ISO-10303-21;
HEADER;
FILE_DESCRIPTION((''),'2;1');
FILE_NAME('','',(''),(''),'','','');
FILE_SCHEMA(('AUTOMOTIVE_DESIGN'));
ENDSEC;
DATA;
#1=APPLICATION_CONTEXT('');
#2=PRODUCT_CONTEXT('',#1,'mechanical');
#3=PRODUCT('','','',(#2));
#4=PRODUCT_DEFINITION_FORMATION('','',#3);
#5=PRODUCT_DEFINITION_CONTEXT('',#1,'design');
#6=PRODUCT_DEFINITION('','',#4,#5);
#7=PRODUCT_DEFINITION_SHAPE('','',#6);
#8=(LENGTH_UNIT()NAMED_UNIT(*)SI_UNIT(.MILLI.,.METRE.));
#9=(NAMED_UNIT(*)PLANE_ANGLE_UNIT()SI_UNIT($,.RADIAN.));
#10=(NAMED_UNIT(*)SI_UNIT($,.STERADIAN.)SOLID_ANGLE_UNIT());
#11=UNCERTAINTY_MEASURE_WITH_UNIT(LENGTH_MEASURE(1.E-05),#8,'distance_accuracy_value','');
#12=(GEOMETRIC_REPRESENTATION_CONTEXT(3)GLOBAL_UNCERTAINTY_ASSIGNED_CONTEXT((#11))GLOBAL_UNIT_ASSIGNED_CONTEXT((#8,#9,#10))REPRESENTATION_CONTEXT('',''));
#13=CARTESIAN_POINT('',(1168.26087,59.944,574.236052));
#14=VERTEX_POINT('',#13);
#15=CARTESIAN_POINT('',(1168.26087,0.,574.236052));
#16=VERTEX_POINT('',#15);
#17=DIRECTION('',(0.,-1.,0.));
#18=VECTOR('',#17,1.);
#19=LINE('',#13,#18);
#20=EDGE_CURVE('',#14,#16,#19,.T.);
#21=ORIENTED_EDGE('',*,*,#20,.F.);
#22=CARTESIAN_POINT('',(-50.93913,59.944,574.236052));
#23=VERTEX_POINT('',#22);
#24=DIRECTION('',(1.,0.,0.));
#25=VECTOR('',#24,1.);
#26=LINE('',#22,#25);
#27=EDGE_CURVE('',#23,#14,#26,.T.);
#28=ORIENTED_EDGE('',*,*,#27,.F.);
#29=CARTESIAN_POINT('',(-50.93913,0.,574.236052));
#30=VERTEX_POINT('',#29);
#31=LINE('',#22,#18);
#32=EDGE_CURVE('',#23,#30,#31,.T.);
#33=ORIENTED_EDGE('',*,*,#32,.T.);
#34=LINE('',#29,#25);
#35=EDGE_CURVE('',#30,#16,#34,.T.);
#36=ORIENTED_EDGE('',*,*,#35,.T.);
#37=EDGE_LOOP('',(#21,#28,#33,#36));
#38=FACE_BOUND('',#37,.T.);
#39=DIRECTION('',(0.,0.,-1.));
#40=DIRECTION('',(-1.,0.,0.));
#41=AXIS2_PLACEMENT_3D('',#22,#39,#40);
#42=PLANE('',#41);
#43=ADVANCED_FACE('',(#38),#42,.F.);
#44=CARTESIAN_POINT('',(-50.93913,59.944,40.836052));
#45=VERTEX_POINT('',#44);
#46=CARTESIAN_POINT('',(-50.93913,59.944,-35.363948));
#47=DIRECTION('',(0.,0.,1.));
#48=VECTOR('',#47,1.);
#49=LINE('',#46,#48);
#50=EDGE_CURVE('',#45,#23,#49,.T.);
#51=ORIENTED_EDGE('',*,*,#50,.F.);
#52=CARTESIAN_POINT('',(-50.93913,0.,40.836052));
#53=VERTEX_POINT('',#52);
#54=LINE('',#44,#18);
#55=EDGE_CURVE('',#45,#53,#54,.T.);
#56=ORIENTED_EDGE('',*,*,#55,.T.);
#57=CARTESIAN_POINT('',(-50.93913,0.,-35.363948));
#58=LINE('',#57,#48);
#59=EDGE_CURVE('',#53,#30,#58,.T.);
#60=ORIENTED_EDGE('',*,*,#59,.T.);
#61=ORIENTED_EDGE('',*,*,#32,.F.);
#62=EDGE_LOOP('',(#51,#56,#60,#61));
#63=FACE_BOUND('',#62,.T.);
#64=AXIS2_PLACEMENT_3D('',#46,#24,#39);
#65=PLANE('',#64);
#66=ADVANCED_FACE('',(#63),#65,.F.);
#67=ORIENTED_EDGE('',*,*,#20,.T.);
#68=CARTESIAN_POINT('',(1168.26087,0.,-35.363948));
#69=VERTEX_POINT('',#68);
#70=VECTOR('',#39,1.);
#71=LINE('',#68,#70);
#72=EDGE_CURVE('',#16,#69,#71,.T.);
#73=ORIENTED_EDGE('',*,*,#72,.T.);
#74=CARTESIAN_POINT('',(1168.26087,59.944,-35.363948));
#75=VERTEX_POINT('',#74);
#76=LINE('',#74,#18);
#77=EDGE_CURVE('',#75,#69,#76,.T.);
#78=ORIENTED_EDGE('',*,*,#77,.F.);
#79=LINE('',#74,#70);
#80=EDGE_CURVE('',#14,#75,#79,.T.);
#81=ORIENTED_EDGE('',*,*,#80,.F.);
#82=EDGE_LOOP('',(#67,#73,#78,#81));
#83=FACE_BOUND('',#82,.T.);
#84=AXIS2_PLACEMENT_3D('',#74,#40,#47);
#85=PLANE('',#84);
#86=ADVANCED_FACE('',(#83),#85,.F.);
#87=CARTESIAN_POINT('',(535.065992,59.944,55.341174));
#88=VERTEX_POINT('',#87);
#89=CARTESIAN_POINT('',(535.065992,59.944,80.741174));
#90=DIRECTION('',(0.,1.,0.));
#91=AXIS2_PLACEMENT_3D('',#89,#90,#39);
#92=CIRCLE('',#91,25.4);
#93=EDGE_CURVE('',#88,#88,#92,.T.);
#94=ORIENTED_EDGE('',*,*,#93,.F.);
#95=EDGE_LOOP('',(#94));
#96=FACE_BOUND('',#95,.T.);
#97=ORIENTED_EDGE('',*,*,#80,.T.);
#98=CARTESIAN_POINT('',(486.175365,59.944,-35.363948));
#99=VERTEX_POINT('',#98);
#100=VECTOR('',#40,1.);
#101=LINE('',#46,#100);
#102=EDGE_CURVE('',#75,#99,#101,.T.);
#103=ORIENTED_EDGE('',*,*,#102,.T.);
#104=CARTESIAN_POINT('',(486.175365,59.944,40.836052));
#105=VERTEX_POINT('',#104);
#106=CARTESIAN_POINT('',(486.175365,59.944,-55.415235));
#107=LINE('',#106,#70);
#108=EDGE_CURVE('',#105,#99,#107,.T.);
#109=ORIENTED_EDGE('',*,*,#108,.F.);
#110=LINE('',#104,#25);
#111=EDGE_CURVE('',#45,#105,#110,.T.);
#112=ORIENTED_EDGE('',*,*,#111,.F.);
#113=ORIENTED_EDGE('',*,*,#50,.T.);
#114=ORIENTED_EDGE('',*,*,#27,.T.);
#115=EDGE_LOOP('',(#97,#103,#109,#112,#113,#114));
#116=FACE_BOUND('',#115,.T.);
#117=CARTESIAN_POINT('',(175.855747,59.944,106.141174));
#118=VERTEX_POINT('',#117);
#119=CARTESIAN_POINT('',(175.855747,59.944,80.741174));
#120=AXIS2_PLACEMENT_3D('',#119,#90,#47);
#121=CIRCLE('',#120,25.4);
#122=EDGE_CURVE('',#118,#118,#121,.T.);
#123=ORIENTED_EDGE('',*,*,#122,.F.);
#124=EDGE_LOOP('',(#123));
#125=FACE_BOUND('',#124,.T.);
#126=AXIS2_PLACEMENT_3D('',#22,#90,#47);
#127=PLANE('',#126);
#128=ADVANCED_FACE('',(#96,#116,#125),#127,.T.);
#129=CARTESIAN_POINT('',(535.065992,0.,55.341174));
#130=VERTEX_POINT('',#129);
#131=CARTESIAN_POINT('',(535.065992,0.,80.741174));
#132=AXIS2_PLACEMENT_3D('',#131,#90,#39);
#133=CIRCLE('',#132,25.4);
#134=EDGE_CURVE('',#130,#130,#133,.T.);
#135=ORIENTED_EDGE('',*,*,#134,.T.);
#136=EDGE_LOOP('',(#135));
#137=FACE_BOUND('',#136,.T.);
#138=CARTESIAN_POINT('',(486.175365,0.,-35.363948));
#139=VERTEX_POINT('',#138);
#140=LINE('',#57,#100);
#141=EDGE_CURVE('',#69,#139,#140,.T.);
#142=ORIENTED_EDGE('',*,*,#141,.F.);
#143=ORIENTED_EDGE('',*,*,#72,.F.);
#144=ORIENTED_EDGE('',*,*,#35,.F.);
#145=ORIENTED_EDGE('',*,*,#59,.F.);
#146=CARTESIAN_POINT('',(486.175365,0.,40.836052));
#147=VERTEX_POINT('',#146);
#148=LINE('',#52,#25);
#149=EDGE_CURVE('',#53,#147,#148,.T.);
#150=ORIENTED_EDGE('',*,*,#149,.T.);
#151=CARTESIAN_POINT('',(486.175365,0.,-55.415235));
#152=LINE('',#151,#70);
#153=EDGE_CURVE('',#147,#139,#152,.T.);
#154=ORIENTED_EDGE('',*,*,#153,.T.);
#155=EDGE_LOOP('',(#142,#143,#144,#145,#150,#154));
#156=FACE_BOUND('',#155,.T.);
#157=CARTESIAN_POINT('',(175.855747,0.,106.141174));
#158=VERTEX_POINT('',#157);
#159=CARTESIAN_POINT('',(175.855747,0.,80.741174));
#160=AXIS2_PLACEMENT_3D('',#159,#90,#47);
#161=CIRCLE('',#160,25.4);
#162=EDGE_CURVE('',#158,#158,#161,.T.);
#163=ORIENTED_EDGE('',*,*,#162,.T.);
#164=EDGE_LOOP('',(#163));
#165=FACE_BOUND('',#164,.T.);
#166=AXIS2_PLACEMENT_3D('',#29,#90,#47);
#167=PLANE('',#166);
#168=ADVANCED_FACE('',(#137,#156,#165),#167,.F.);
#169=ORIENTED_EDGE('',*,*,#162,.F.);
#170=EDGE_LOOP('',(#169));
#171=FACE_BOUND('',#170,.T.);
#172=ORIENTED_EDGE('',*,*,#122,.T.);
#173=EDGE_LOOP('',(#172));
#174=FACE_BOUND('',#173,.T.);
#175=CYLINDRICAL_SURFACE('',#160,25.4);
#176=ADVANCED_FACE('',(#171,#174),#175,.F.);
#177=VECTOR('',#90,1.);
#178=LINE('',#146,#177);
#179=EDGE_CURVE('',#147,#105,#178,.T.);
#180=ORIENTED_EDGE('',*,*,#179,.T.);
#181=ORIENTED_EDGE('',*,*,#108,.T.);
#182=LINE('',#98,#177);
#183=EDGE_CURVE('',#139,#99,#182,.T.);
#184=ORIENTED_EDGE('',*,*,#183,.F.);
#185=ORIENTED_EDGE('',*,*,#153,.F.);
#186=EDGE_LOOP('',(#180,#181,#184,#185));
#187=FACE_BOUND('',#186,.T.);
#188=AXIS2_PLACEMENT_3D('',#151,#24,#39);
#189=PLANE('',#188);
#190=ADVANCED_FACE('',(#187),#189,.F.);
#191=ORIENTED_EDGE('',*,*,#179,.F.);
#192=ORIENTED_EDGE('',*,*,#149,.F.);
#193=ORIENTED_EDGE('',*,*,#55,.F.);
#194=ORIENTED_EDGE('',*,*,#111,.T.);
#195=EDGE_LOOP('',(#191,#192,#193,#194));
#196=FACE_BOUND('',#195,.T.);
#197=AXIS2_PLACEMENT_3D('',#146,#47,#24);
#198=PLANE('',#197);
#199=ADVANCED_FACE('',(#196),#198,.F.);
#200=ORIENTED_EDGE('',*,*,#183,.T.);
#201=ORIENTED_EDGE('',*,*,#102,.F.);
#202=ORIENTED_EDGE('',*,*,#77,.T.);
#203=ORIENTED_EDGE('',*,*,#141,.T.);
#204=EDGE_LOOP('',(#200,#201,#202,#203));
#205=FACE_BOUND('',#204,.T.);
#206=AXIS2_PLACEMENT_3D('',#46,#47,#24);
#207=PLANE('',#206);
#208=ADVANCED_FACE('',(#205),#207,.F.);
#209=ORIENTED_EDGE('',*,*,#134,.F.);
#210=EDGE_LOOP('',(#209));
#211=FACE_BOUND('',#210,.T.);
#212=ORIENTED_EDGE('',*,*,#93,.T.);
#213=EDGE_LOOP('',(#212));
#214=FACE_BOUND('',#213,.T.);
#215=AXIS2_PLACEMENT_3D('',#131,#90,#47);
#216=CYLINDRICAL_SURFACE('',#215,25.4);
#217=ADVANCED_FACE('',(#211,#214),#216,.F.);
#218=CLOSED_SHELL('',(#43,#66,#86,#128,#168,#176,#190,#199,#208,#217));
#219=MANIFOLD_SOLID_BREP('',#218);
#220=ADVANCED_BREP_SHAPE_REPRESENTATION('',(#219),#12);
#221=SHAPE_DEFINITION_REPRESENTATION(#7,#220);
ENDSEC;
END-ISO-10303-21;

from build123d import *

# Parameters (mm, degrees)
SKETCH1_W      = 1219.2
SKETCH1_H      = 609.6
EXTRUDE1_DEPTH = 59.944
SKETCH9_W      = 641.290586706
SKETCH9_H      = 96.25128706
EXTRUDE2_DEPTH = 1304.139971926
SKETCH10_R     = 25.4
EXTRUDE3_DEPTH = 1304.139971926


with BuildPart() as part:
    # Sketch1 → Extrude1 (new body)
    with BuildSketch(Plane(origin=(0, 0, 0), x_dir=(1, 0, 0), z_dir=(0, 1, 0))):
        with Locations((558.660869819, -269.436051937)):
            Rectangle(SKETCH1_W, SKETCH1_H)
    extrude(amount=EXTRUDE1_DEPTH)

    # Sketch9 → Extrude2 (cut, through all)
    with BuildSketch(Plane(origin=(0, 59.944, 0), x_dir=(1, 0, 0), z_dir=(0, 1, 0))):
        with Locations((165.530071427, 7.289591593)):
            Rectangle(SKETCH9_W, SKETCH9_H)
    extrude(amount=-EXTRUDE2_DEPTH, mode=Mode.SUBTRACT)

    # Sketch10 → Extrude3 (cut, through all)
    with BuildSketch(Plane(origin=(0, 59.944, 0), x_dir=(1, 0, 0), z_dir=(0, 1, 0))):
        with Locations((175.855747398, -80.741174358)):
            Circle(SKETCH10_R)
        with Locations((535.065992241, -80.741174358)):
            Circle(SKETCH10_R)
    extrude(amount=-EXTRUDE3_DEPTH, mode=Mode.SUBTRACT)


solid = part.part
